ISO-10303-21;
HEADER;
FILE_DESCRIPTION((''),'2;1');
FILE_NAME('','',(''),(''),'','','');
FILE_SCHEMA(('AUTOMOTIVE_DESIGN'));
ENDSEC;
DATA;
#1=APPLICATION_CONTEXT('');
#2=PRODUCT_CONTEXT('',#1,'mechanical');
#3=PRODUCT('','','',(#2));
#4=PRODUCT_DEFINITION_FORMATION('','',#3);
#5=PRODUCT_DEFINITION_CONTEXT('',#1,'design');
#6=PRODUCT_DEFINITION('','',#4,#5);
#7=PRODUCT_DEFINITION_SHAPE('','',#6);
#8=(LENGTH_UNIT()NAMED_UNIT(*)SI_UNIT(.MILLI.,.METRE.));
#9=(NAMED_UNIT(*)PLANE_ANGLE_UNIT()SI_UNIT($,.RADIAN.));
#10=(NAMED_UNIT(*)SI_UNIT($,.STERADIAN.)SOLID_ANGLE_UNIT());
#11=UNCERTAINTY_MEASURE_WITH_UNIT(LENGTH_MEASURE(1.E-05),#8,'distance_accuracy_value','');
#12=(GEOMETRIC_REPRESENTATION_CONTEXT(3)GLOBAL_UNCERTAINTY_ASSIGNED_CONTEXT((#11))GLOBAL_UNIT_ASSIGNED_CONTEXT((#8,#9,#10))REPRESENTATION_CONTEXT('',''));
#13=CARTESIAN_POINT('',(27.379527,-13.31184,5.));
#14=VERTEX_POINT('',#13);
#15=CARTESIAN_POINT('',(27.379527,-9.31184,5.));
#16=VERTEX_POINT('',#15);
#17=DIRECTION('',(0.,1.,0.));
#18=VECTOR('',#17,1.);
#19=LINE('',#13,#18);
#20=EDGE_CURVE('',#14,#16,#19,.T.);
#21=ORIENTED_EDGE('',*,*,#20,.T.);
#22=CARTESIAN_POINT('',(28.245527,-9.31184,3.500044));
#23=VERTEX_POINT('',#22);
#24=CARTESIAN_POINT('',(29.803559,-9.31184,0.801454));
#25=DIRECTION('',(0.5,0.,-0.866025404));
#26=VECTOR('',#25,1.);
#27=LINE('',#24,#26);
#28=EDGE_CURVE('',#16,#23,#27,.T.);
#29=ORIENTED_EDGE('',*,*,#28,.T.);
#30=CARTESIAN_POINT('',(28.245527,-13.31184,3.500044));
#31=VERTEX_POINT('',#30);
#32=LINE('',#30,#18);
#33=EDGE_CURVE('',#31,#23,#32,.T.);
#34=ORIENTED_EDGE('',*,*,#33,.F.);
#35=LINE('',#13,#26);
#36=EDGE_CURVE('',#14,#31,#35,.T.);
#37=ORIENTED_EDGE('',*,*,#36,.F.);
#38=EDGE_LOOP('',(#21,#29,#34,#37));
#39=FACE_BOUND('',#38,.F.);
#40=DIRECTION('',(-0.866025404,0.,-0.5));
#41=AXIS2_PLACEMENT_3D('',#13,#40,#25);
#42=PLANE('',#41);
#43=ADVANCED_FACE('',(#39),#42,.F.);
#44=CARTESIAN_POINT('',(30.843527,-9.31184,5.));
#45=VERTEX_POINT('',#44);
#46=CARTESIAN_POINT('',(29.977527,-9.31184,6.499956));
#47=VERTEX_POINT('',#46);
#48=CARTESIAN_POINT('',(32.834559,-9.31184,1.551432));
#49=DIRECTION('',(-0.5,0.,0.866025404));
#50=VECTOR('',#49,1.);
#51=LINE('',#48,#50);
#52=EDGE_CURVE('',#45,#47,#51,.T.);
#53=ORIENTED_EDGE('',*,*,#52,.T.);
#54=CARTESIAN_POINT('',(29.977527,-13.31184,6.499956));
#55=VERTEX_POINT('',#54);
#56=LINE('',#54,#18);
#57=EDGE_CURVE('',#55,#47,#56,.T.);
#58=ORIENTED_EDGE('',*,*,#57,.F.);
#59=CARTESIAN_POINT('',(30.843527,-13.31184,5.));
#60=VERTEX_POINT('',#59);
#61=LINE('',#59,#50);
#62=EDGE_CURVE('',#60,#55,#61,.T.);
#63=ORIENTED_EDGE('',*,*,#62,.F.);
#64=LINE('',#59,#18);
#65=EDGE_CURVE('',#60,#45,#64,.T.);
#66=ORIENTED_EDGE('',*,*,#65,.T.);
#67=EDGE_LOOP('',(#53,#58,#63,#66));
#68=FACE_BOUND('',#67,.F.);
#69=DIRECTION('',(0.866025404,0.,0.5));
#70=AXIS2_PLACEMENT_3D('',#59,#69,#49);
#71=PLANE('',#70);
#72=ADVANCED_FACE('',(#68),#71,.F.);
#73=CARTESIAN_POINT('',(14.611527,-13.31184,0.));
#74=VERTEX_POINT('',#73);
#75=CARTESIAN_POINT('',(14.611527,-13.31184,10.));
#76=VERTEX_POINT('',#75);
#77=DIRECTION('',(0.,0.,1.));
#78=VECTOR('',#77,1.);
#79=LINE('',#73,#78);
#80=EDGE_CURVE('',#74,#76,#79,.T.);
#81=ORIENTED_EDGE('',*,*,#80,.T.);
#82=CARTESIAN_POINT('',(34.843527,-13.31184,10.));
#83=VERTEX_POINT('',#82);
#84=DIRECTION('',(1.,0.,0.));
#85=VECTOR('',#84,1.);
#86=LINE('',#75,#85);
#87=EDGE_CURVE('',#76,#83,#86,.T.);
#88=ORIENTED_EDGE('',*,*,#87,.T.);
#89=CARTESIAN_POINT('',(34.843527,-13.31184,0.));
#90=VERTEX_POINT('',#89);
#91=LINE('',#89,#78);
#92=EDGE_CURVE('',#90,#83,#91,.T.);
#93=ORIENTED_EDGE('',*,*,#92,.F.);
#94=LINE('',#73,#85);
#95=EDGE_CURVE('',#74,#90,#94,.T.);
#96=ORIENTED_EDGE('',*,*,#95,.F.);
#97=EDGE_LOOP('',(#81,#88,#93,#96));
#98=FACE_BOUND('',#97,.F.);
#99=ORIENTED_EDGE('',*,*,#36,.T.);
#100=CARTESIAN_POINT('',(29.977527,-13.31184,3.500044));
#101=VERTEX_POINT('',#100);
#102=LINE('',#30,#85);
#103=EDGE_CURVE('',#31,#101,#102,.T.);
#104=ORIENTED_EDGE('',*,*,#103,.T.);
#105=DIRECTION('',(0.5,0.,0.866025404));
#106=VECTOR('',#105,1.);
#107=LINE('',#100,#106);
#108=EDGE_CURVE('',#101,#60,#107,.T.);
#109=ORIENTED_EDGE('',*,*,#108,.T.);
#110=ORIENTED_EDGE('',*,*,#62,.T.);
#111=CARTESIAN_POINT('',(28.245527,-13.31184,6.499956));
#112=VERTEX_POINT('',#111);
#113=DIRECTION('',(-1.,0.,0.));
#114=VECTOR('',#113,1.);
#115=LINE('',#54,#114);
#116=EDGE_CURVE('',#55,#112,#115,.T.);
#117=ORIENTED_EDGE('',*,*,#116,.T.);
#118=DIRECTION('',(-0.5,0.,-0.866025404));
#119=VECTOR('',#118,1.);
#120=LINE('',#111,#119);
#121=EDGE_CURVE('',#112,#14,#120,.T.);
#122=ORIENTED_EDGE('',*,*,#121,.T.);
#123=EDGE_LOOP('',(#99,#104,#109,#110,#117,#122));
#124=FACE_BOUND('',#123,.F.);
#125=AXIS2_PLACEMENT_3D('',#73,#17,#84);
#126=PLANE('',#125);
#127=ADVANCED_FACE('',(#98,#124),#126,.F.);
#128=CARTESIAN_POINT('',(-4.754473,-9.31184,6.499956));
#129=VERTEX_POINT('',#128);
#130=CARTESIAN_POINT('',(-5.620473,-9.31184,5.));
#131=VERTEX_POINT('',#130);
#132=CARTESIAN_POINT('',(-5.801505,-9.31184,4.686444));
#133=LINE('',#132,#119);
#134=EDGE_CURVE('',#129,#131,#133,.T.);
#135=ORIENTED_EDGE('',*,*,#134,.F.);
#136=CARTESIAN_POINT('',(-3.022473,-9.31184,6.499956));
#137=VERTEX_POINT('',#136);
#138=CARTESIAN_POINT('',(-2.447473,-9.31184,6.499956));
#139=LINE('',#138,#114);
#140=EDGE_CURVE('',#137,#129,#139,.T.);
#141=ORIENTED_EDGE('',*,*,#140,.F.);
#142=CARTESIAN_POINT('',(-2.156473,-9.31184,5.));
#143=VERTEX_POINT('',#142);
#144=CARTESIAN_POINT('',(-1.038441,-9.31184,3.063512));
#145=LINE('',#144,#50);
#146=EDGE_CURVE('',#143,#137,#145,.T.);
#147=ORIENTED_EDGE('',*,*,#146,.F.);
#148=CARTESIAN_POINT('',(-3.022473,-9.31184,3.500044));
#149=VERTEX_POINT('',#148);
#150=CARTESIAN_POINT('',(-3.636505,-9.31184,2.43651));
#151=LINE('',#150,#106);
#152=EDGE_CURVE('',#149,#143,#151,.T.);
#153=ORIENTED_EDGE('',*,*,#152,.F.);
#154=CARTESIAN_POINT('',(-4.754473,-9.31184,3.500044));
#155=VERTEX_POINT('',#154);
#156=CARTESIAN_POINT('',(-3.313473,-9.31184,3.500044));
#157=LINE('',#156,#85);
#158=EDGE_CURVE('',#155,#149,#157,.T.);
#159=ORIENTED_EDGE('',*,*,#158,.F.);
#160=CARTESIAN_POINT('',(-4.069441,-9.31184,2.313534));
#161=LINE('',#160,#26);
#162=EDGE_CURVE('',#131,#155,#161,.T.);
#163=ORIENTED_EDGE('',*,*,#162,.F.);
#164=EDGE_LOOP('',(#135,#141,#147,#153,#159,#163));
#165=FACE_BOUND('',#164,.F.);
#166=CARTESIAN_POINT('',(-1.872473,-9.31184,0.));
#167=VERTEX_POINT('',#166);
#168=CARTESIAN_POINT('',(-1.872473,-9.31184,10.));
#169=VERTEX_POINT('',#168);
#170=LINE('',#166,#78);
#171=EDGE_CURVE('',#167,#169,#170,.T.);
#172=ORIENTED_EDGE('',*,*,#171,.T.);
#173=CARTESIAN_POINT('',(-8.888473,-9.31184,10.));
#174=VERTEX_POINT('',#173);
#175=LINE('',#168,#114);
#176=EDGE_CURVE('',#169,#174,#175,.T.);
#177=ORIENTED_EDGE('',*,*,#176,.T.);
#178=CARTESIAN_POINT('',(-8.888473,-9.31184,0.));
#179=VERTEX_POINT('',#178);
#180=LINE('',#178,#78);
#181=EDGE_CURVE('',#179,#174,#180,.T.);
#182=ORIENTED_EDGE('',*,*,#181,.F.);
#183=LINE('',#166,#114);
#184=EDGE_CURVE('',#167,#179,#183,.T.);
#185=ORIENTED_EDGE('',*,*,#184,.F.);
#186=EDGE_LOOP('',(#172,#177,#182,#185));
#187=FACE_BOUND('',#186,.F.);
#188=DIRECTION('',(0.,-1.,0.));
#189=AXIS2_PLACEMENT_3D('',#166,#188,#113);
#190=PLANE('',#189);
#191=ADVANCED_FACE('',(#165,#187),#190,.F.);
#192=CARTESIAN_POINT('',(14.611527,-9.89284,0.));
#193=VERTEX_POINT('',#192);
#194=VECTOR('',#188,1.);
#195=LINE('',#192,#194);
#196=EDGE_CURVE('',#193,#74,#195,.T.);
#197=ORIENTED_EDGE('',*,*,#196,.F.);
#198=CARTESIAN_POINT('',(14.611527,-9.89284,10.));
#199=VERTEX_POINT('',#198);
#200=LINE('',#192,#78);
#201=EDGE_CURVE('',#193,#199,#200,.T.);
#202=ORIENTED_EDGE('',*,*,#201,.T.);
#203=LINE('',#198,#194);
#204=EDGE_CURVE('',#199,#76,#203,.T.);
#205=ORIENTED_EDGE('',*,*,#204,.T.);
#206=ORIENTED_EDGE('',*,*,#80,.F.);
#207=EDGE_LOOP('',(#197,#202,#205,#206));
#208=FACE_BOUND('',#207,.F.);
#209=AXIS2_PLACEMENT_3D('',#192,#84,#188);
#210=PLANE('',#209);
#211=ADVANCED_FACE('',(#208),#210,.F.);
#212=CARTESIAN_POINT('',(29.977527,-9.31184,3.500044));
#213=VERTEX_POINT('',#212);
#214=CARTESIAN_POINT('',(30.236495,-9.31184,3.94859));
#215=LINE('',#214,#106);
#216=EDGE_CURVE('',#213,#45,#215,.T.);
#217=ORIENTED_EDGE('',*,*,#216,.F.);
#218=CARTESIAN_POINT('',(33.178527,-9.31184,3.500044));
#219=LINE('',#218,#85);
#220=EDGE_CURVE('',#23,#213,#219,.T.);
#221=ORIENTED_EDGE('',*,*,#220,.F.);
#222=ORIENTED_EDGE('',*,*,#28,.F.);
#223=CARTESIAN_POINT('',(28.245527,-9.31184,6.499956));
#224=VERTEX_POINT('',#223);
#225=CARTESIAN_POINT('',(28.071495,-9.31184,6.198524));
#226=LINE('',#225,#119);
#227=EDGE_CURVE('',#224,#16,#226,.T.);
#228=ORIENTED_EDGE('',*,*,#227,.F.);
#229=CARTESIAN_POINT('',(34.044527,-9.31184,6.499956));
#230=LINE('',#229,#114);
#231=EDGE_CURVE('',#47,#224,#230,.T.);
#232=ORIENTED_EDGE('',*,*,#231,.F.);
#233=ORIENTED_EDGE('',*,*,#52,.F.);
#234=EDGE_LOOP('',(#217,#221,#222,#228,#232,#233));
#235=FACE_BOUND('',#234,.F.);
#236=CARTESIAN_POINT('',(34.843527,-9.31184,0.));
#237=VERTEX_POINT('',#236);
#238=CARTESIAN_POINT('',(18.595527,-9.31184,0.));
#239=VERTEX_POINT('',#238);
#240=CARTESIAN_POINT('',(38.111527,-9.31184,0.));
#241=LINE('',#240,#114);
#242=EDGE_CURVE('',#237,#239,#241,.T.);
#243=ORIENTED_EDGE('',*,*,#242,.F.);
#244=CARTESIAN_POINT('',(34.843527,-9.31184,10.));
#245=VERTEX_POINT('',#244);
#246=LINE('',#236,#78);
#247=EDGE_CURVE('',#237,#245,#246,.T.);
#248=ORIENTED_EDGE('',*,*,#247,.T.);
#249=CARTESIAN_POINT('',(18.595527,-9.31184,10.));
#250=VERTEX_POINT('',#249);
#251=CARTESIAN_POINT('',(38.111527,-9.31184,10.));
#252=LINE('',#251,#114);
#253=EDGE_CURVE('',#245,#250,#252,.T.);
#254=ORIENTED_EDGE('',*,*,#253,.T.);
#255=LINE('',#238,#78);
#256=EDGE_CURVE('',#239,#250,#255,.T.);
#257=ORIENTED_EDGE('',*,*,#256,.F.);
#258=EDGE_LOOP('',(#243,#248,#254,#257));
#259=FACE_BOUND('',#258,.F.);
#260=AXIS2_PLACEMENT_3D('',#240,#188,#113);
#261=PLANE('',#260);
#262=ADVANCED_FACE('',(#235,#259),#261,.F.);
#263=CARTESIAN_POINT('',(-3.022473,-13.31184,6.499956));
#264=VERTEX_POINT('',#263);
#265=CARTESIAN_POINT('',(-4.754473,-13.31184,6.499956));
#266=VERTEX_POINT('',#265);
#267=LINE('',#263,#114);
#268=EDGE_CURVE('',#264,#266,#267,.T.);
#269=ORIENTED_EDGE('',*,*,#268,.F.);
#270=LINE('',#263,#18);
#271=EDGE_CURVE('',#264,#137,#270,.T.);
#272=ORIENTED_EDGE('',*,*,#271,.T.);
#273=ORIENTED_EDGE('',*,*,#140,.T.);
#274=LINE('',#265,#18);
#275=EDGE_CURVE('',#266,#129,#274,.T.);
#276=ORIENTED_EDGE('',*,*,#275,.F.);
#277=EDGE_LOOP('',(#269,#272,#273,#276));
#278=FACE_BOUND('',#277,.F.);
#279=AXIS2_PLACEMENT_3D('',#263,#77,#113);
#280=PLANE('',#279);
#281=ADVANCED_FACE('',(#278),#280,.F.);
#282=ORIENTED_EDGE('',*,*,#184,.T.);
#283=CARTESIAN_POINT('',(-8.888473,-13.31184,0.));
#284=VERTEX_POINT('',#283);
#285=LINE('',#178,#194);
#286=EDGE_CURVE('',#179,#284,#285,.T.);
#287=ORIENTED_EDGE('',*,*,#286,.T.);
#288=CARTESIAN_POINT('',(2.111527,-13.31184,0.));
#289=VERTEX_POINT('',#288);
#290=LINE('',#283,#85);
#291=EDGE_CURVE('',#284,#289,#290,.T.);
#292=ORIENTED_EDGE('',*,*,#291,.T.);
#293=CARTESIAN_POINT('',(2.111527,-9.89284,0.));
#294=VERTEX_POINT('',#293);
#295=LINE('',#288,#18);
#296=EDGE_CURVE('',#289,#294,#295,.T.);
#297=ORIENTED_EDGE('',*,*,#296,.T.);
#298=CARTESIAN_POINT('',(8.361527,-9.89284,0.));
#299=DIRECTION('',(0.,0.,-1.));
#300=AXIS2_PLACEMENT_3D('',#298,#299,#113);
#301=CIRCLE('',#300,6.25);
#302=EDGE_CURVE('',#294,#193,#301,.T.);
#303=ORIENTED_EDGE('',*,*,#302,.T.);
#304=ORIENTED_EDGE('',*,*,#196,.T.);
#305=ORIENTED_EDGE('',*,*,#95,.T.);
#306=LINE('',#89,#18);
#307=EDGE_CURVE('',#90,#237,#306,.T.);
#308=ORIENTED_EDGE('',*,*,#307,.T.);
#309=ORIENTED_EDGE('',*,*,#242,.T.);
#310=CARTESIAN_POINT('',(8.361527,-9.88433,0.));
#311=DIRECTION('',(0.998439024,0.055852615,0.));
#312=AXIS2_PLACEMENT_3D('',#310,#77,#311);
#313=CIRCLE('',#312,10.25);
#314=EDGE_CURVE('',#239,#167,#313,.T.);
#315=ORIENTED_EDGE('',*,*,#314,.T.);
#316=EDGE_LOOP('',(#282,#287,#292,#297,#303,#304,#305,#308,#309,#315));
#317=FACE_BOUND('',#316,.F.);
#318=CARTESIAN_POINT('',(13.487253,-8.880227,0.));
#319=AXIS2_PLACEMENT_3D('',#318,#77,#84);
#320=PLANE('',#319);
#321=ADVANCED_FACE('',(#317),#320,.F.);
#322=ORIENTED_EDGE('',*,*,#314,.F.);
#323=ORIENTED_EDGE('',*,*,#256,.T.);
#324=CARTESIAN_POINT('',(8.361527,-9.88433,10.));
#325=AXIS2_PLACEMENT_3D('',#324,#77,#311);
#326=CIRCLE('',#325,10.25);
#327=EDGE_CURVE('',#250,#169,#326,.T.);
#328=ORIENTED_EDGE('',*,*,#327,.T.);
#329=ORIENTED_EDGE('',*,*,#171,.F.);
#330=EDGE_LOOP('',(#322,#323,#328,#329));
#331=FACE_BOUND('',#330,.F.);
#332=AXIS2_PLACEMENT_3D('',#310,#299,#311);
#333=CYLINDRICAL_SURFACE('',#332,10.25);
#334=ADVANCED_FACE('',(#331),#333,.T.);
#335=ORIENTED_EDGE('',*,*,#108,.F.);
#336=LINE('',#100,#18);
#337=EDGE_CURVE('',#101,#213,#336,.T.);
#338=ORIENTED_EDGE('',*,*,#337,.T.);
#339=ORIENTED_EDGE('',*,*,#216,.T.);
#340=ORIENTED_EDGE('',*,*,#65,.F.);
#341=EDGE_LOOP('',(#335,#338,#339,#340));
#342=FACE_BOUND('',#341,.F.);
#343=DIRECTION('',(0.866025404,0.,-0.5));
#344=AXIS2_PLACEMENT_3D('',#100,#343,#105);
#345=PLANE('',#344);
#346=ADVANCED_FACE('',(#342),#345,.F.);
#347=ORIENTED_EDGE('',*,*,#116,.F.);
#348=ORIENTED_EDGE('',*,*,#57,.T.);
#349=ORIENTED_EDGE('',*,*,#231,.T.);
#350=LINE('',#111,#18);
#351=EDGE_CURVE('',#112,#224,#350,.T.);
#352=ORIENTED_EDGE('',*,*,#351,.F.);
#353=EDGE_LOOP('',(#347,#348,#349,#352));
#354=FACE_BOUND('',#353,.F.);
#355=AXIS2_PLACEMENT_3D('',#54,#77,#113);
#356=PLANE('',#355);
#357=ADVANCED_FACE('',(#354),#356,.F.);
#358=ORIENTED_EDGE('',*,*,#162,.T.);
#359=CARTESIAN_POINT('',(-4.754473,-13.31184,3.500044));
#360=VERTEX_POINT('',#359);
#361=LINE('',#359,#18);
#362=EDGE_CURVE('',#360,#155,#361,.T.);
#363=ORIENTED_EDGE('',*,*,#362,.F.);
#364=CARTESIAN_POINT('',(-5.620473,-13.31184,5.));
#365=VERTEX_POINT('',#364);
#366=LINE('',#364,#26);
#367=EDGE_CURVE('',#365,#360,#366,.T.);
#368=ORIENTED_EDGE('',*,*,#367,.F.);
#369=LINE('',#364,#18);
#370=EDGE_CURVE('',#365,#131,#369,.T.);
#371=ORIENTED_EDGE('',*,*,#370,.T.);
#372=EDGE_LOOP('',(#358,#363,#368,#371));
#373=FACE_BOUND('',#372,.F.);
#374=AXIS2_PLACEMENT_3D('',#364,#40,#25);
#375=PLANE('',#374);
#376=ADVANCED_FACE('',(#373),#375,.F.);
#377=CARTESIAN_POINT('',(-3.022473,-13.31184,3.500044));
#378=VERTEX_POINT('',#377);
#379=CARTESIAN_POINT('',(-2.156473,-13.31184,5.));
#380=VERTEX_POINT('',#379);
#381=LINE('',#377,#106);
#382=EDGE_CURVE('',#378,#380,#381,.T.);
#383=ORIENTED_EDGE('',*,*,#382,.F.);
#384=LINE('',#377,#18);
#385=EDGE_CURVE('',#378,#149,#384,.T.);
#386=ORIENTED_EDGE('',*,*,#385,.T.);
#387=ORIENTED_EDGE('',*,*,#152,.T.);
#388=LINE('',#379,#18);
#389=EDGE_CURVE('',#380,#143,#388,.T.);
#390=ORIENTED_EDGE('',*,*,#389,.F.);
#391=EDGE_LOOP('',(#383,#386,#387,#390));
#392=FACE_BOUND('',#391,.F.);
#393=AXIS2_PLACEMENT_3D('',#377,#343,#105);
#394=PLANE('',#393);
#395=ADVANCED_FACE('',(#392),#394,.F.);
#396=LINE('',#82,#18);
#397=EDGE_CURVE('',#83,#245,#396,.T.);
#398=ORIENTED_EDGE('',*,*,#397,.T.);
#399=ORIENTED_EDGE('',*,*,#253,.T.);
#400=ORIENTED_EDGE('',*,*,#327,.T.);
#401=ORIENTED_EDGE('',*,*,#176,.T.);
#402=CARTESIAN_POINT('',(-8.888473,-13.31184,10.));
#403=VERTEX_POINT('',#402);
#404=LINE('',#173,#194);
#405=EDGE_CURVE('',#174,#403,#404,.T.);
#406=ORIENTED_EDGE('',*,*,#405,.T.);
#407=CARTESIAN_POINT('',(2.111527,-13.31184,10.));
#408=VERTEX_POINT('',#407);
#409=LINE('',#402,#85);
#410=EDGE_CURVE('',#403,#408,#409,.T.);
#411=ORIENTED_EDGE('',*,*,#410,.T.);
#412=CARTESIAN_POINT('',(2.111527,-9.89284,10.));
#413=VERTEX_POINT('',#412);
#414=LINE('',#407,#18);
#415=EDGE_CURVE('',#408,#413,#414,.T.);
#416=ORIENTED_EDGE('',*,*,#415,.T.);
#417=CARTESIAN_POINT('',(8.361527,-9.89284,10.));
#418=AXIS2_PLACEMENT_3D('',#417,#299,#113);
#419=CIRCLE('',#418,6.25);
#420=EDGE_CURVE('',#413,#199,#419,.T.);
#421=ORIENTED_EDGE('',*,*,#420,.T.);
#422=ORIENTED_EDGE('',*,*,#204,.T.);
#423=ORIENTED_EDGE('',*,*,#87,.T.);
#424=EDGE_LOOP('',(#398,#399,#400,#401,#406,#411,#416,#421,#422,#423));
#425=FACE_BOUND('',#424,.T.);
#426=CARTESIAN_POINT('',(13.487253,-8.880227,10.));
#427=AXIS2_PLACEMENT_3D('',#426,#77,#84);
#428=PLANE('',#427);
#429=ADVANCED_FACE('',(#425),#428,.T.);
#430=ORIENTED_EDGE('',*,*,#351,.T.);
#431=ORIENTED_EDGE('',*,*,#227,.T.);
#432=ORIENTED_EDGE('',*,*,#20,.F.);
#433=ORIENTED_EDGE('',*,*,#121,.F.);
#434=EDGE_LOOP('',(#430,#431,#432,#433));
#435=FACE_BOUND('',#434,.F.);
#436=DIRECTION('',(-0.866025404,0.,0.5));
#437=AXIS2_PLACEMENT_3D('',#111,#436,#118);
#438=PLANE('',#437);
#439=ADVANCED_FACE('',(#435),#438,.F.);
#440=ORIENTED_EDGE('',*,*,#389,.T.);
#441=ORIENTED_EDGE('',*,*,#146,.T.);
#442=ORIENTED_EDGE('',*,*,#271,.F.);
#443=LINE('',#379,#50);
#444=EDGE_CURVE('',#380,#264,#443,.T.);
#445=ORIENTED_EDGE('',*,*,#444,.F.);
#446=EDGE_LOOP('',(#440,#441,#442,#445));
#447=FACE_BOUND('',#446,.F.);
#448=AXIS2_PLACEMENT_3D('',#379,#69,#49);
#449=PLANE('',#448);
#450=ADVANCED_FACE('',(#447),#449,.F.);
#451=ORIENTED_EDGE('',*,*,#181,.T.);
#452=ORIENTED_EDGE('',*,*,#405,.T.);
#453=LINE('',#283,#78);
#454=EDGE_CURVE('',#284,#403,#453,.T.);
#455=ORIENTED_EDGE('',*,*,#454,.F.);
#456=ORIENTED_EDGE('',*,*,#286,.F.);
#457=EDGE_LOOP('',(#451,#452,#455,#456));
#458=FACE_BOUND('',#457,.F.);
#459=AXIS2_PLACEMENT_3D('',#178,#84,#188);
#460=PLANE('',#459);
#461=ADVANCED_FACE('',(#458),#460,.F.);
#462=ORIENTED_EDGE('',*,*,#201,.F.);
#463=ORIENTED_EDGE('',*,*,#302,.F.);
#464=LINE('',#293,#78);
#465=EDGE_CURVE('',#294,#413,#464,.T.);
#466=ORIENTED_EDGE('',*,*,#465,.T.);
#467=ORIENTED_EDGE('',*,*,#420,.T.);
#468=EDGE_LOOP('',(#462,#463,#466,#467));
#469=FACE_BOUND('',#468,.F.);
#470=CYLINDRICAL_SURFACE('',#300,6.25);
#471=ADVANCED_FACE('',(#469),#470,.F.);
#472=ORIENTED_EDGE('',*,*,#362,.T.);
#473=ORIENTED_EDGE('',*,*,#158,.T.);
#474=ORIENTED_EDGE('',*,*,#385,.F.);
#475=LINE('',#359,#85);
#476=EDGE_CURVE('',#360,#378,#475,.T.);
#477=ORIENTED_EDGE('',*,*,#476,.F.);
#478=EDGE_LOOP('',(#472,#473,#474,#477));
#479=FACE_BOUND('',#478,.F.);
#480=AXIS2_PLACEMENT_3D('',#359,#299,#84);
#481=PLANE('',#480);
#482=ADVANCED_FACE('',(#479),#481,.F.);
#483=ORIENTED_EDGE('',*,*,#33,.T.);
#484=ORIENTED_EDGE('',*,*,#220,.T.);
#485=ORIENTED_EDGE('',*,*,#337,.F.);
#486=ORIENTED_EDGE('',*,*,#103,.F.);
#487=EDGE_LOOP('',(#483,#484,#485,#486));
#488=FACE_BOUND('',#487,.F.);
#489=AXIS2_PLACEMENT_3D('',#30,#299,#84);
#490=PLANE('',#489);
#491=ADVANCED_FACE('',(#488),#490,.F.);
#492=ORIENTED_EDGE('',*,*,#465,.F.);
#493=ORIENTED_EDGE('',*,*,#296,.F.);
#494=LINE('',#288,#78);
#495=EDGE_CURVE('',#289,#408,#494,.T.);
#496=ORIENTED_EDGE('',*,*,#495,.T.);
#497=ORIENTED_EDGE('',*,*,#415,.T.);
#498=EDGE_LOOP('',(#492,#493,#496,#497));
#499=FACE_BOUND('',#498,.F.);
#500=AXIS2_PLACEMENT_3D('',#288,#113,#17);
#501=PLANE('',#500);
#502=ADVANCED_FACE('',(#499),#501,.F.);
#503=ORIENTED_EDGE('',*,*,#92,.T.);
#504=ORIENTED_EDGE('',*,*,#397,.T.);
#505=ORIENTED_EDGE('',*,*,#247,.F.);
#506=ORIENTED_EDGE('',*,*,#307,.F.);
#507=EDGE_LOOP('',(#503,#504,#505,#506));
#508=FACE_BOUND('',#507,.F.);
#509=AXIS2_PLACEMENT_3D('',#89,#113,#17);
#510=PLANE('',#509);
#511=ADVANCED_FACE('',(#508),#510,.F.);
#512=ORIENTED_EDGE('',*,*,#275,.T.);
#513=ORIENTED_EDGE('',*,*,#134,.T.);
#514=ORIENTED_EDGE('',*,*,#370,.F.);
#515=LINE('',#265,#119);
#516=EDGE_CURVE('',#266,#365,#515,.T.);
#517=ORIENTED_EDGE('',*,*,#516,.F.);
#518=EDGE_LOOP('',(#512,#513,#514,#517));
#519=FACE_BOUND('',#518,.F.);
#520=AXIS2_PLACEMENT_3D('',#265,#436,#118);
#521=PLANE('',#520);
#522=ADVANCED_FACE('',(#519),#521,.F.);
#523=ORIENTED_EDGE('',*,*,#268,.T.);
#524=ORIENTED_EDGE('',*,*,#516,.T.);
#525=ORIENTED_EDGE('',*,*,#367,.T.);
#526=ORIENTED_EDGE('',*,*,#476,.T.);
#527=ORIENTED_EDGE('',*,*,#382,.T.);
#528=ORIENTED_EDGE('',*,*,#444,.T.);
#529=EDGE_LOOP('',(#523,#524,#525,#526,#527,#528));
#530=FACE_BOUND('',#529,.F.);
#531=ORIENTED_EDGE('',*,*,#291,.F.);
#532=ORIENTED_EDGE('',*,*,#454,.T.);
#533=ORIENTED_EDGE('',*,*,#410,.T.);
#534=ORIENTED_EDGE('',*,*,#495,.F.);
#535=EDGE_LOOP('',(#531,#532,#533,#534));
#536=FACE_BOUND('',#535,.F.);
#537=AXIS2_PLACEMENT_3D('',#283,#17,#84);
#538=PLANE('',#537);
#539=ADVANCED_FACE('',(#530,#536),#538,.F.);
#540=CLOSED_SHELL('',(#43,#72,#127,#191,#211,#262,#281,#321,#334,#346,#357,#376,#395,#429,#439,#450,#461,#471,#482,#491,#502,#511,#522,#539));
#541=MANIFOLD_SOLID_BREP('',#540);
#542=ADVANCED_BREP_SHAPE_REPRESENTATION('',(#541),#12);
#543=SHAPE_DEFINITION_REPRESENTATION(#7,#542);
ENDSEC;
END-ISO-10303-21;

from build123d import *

# Parameters (mm, degrees)
F1_DEPTH = 10
F3_DEPTH = 13.6785106988
F4_DEPTH = 3.268


with BuildPart() as f1:
    # F0 (on Top) → F1 (new body)
    with BuildSketch(Plane.XY):
        with BuildLine():
            Line((14.6115271971, -9.8928403326), (14.6115271971, -13.3118403326))
            Line((14.6115271971, -13.3118403326), (38.1115271971, -13.3118403326))
            Line((38.1115271971, -13.3118403326), (38.1115271971, -9.3118403326))
            Line((38.1115271971, -9.3118403326), (18.5955271971, -9.3118403326))
            ThreePointArc((18.5955271971, -9.3118403326), (8.3615271971, 0.3656703662), (-1.8724728029, -9.3118403326))
            Line((-1.8724728029, -9.3118403326), (-8.8884728029, -9.3118403326))
            Line((-8.8884728029, -9.3118403326), (-8.8884728029, -13.3118403326))
            Line((-8.8884728029, -13.3118403326), (2.1115271971, -13.3118403326))
            Line((2.1115271971, -13.3118403326), (2.1115271971, -9.8928403326))
            ThreePointArc((2.1115271971, -9.8928403326), (8.3615271971, -3.6428403326), (14.6115271971, -9.8928403326))
        make_face()
    extrude(amount=F1_DEPTH)

    # F2 (on face) → F3 (cut, through all)
    with BuildSketch(Plane.XZ.offset(13.3118403326)):
        Polygon((-2.1564728029, 5), (-3.0224728029, 6.4999559994), (-4.7544728029, 6.4999559994), (-5.6204728029, 5), (-4.7544728029, 3.5000440006), (-3.0224728029, 3.5000440006), align=None)
        Polygon((29.9775271971, 6.4999559994), (28.2455271971, 6.4999559994), (27.3795271971, 5), (28.2455271971, 3.5000440006), (29.9775271971, 3.5000440006), (30.8435271971, 5), align=None)
    extrude(amount=-F3_DEPTH, mode=Mode.SUBTRACT)

    # F4 (cut): a face of the model
    f4_faces = [f1.faces().sort_by_distance(p)[0] for p in [
        (38.1115271971, -11.3118403326, 5),
    ]]
    extrude(f4_faces, amount=-F4_DEPTH, mode=Mode.SUBTRACT)


solid = f1.part
